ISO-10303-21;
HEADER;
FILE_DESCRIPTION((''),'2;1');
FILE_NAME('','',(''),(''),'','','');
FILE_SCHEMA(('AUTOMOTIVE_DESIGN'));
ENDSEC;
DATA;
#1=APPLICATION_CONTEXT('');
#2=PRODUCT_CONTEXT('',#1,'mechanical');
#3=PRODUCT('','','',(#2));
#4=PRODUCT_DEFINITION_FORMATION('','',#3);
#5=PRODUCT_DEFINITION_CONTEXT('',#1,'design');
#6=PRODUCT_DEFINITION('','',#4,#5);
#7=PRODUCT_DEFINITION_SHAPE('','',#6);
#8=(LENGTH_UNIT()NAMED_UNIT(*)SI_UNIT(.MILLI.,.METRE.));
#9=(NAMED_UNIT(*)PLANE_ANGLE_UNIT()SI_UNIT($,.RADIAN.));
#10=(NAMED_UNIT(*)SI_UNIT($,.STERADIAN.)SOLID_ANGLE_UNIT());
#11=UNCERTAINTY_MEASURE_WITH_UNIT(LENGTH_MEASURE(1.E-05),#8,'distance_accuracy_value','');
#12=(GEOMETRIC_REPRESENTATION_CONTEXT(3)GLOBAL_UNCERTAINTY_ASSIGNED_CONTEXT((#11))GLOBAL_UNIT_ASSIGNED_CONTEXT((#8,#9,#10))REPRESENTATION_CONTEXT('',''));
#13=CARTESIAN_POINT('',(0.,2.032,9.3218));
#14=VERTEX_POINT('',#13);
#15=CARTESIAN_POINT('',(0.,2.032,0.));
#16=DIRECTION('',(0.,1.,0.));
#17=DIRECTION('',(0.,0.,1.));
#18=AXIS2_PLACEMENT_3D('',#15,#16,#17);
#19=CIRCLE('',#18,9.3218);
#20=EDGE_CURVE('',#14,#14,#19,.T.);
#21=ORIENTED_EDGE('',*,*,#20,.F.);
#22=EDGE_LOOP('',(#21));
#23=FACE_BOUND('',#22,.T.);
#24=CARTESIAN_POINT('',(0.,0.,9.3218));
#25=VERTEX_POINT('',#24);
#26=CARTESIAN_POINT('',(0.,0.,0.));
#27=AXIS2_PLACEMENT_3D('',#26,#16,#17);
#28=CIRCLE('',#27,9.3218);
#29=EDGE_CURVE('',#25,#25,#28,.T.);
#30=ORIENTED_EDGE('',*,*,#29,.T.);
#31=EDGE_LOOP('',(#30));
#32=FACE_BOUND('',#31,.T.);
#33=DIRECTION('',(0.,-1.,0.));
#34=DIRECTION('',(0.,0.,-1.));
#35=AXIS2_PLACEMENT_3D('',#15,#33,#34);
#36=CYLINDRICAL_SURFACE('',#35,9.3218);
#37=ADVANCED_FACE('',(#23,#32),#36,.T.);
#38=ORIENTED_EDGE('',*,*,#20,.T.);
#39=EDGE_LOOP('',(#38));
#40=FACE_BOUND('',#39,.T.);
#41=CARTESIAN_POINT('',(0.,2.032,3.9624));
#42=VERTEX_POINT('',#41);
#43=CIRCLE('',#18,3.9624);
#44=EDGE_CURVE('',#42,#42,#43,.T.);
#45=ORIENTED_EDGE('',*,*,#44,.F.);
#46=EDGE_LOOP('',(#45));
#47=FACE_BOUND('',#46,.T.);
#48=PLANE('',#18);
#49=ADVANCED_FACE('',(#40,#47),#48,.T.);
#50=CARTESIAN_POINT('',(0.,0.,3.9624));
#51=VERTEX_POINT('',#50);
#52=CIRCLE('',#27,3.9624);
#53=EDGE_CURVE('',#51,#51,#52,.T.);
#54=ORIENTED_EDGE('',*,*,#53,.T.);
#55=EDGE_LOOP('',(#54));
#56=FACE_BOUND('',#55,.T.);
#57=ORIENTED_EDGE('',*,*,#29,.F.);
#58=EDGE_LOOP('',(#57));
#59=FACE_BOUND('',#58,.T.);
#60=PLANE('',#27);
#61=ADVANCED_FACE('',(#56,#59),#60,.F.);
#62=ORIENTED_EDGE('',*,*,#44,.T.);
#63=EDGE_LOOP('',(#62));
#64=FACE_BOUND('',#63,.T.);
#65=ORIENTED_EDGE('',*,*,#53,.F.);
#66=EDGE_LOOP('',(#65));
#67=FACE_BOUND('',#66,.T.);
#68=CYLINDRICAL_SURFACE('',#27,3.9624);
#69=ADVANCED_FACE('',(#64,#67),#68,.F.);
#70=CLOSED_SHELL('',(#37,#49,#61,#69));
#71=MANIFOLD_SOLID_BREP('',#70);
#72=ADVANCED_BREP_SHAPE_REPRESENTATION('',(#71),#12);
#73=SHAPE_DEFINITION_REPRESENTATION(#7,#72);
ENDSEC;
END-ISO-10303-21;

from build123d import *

# Parameters (mm, degrees)
SKETCH1_R           = 9.3218
BOSS_EXTRUDE1_DEPTH = 2.032
SKETCH5_R           = 3.9624
CUT_EXTRUDE1_DEPTH  = 3.032


with BuildPart() as part:
    # Sketch1 → Boss-Extrude1 (new body)
    with BuildSketch(Plane(origin=(0, 0, 0), x_dir=(1, 0, 0), z_dir=(0, 1, 0))):
        Circle(SKETCH1_R)
    extrude(amount=BOSS_EXTRUDE1_DEPTH)

    # Sketch5 → Cut-Extrude1 (cut, through all)
    with BuildSketch(Plane(origin=(0, 2.032, 0), x_dir=(-1, 0, 0), z_dir=(0, 1, 0))):
        Circle(SKETCH5_R)
    extrude(amount=-CUT_EXTRUDE1_DEPTH, mode=Mode.SUBTRACT)


solid = part.part
